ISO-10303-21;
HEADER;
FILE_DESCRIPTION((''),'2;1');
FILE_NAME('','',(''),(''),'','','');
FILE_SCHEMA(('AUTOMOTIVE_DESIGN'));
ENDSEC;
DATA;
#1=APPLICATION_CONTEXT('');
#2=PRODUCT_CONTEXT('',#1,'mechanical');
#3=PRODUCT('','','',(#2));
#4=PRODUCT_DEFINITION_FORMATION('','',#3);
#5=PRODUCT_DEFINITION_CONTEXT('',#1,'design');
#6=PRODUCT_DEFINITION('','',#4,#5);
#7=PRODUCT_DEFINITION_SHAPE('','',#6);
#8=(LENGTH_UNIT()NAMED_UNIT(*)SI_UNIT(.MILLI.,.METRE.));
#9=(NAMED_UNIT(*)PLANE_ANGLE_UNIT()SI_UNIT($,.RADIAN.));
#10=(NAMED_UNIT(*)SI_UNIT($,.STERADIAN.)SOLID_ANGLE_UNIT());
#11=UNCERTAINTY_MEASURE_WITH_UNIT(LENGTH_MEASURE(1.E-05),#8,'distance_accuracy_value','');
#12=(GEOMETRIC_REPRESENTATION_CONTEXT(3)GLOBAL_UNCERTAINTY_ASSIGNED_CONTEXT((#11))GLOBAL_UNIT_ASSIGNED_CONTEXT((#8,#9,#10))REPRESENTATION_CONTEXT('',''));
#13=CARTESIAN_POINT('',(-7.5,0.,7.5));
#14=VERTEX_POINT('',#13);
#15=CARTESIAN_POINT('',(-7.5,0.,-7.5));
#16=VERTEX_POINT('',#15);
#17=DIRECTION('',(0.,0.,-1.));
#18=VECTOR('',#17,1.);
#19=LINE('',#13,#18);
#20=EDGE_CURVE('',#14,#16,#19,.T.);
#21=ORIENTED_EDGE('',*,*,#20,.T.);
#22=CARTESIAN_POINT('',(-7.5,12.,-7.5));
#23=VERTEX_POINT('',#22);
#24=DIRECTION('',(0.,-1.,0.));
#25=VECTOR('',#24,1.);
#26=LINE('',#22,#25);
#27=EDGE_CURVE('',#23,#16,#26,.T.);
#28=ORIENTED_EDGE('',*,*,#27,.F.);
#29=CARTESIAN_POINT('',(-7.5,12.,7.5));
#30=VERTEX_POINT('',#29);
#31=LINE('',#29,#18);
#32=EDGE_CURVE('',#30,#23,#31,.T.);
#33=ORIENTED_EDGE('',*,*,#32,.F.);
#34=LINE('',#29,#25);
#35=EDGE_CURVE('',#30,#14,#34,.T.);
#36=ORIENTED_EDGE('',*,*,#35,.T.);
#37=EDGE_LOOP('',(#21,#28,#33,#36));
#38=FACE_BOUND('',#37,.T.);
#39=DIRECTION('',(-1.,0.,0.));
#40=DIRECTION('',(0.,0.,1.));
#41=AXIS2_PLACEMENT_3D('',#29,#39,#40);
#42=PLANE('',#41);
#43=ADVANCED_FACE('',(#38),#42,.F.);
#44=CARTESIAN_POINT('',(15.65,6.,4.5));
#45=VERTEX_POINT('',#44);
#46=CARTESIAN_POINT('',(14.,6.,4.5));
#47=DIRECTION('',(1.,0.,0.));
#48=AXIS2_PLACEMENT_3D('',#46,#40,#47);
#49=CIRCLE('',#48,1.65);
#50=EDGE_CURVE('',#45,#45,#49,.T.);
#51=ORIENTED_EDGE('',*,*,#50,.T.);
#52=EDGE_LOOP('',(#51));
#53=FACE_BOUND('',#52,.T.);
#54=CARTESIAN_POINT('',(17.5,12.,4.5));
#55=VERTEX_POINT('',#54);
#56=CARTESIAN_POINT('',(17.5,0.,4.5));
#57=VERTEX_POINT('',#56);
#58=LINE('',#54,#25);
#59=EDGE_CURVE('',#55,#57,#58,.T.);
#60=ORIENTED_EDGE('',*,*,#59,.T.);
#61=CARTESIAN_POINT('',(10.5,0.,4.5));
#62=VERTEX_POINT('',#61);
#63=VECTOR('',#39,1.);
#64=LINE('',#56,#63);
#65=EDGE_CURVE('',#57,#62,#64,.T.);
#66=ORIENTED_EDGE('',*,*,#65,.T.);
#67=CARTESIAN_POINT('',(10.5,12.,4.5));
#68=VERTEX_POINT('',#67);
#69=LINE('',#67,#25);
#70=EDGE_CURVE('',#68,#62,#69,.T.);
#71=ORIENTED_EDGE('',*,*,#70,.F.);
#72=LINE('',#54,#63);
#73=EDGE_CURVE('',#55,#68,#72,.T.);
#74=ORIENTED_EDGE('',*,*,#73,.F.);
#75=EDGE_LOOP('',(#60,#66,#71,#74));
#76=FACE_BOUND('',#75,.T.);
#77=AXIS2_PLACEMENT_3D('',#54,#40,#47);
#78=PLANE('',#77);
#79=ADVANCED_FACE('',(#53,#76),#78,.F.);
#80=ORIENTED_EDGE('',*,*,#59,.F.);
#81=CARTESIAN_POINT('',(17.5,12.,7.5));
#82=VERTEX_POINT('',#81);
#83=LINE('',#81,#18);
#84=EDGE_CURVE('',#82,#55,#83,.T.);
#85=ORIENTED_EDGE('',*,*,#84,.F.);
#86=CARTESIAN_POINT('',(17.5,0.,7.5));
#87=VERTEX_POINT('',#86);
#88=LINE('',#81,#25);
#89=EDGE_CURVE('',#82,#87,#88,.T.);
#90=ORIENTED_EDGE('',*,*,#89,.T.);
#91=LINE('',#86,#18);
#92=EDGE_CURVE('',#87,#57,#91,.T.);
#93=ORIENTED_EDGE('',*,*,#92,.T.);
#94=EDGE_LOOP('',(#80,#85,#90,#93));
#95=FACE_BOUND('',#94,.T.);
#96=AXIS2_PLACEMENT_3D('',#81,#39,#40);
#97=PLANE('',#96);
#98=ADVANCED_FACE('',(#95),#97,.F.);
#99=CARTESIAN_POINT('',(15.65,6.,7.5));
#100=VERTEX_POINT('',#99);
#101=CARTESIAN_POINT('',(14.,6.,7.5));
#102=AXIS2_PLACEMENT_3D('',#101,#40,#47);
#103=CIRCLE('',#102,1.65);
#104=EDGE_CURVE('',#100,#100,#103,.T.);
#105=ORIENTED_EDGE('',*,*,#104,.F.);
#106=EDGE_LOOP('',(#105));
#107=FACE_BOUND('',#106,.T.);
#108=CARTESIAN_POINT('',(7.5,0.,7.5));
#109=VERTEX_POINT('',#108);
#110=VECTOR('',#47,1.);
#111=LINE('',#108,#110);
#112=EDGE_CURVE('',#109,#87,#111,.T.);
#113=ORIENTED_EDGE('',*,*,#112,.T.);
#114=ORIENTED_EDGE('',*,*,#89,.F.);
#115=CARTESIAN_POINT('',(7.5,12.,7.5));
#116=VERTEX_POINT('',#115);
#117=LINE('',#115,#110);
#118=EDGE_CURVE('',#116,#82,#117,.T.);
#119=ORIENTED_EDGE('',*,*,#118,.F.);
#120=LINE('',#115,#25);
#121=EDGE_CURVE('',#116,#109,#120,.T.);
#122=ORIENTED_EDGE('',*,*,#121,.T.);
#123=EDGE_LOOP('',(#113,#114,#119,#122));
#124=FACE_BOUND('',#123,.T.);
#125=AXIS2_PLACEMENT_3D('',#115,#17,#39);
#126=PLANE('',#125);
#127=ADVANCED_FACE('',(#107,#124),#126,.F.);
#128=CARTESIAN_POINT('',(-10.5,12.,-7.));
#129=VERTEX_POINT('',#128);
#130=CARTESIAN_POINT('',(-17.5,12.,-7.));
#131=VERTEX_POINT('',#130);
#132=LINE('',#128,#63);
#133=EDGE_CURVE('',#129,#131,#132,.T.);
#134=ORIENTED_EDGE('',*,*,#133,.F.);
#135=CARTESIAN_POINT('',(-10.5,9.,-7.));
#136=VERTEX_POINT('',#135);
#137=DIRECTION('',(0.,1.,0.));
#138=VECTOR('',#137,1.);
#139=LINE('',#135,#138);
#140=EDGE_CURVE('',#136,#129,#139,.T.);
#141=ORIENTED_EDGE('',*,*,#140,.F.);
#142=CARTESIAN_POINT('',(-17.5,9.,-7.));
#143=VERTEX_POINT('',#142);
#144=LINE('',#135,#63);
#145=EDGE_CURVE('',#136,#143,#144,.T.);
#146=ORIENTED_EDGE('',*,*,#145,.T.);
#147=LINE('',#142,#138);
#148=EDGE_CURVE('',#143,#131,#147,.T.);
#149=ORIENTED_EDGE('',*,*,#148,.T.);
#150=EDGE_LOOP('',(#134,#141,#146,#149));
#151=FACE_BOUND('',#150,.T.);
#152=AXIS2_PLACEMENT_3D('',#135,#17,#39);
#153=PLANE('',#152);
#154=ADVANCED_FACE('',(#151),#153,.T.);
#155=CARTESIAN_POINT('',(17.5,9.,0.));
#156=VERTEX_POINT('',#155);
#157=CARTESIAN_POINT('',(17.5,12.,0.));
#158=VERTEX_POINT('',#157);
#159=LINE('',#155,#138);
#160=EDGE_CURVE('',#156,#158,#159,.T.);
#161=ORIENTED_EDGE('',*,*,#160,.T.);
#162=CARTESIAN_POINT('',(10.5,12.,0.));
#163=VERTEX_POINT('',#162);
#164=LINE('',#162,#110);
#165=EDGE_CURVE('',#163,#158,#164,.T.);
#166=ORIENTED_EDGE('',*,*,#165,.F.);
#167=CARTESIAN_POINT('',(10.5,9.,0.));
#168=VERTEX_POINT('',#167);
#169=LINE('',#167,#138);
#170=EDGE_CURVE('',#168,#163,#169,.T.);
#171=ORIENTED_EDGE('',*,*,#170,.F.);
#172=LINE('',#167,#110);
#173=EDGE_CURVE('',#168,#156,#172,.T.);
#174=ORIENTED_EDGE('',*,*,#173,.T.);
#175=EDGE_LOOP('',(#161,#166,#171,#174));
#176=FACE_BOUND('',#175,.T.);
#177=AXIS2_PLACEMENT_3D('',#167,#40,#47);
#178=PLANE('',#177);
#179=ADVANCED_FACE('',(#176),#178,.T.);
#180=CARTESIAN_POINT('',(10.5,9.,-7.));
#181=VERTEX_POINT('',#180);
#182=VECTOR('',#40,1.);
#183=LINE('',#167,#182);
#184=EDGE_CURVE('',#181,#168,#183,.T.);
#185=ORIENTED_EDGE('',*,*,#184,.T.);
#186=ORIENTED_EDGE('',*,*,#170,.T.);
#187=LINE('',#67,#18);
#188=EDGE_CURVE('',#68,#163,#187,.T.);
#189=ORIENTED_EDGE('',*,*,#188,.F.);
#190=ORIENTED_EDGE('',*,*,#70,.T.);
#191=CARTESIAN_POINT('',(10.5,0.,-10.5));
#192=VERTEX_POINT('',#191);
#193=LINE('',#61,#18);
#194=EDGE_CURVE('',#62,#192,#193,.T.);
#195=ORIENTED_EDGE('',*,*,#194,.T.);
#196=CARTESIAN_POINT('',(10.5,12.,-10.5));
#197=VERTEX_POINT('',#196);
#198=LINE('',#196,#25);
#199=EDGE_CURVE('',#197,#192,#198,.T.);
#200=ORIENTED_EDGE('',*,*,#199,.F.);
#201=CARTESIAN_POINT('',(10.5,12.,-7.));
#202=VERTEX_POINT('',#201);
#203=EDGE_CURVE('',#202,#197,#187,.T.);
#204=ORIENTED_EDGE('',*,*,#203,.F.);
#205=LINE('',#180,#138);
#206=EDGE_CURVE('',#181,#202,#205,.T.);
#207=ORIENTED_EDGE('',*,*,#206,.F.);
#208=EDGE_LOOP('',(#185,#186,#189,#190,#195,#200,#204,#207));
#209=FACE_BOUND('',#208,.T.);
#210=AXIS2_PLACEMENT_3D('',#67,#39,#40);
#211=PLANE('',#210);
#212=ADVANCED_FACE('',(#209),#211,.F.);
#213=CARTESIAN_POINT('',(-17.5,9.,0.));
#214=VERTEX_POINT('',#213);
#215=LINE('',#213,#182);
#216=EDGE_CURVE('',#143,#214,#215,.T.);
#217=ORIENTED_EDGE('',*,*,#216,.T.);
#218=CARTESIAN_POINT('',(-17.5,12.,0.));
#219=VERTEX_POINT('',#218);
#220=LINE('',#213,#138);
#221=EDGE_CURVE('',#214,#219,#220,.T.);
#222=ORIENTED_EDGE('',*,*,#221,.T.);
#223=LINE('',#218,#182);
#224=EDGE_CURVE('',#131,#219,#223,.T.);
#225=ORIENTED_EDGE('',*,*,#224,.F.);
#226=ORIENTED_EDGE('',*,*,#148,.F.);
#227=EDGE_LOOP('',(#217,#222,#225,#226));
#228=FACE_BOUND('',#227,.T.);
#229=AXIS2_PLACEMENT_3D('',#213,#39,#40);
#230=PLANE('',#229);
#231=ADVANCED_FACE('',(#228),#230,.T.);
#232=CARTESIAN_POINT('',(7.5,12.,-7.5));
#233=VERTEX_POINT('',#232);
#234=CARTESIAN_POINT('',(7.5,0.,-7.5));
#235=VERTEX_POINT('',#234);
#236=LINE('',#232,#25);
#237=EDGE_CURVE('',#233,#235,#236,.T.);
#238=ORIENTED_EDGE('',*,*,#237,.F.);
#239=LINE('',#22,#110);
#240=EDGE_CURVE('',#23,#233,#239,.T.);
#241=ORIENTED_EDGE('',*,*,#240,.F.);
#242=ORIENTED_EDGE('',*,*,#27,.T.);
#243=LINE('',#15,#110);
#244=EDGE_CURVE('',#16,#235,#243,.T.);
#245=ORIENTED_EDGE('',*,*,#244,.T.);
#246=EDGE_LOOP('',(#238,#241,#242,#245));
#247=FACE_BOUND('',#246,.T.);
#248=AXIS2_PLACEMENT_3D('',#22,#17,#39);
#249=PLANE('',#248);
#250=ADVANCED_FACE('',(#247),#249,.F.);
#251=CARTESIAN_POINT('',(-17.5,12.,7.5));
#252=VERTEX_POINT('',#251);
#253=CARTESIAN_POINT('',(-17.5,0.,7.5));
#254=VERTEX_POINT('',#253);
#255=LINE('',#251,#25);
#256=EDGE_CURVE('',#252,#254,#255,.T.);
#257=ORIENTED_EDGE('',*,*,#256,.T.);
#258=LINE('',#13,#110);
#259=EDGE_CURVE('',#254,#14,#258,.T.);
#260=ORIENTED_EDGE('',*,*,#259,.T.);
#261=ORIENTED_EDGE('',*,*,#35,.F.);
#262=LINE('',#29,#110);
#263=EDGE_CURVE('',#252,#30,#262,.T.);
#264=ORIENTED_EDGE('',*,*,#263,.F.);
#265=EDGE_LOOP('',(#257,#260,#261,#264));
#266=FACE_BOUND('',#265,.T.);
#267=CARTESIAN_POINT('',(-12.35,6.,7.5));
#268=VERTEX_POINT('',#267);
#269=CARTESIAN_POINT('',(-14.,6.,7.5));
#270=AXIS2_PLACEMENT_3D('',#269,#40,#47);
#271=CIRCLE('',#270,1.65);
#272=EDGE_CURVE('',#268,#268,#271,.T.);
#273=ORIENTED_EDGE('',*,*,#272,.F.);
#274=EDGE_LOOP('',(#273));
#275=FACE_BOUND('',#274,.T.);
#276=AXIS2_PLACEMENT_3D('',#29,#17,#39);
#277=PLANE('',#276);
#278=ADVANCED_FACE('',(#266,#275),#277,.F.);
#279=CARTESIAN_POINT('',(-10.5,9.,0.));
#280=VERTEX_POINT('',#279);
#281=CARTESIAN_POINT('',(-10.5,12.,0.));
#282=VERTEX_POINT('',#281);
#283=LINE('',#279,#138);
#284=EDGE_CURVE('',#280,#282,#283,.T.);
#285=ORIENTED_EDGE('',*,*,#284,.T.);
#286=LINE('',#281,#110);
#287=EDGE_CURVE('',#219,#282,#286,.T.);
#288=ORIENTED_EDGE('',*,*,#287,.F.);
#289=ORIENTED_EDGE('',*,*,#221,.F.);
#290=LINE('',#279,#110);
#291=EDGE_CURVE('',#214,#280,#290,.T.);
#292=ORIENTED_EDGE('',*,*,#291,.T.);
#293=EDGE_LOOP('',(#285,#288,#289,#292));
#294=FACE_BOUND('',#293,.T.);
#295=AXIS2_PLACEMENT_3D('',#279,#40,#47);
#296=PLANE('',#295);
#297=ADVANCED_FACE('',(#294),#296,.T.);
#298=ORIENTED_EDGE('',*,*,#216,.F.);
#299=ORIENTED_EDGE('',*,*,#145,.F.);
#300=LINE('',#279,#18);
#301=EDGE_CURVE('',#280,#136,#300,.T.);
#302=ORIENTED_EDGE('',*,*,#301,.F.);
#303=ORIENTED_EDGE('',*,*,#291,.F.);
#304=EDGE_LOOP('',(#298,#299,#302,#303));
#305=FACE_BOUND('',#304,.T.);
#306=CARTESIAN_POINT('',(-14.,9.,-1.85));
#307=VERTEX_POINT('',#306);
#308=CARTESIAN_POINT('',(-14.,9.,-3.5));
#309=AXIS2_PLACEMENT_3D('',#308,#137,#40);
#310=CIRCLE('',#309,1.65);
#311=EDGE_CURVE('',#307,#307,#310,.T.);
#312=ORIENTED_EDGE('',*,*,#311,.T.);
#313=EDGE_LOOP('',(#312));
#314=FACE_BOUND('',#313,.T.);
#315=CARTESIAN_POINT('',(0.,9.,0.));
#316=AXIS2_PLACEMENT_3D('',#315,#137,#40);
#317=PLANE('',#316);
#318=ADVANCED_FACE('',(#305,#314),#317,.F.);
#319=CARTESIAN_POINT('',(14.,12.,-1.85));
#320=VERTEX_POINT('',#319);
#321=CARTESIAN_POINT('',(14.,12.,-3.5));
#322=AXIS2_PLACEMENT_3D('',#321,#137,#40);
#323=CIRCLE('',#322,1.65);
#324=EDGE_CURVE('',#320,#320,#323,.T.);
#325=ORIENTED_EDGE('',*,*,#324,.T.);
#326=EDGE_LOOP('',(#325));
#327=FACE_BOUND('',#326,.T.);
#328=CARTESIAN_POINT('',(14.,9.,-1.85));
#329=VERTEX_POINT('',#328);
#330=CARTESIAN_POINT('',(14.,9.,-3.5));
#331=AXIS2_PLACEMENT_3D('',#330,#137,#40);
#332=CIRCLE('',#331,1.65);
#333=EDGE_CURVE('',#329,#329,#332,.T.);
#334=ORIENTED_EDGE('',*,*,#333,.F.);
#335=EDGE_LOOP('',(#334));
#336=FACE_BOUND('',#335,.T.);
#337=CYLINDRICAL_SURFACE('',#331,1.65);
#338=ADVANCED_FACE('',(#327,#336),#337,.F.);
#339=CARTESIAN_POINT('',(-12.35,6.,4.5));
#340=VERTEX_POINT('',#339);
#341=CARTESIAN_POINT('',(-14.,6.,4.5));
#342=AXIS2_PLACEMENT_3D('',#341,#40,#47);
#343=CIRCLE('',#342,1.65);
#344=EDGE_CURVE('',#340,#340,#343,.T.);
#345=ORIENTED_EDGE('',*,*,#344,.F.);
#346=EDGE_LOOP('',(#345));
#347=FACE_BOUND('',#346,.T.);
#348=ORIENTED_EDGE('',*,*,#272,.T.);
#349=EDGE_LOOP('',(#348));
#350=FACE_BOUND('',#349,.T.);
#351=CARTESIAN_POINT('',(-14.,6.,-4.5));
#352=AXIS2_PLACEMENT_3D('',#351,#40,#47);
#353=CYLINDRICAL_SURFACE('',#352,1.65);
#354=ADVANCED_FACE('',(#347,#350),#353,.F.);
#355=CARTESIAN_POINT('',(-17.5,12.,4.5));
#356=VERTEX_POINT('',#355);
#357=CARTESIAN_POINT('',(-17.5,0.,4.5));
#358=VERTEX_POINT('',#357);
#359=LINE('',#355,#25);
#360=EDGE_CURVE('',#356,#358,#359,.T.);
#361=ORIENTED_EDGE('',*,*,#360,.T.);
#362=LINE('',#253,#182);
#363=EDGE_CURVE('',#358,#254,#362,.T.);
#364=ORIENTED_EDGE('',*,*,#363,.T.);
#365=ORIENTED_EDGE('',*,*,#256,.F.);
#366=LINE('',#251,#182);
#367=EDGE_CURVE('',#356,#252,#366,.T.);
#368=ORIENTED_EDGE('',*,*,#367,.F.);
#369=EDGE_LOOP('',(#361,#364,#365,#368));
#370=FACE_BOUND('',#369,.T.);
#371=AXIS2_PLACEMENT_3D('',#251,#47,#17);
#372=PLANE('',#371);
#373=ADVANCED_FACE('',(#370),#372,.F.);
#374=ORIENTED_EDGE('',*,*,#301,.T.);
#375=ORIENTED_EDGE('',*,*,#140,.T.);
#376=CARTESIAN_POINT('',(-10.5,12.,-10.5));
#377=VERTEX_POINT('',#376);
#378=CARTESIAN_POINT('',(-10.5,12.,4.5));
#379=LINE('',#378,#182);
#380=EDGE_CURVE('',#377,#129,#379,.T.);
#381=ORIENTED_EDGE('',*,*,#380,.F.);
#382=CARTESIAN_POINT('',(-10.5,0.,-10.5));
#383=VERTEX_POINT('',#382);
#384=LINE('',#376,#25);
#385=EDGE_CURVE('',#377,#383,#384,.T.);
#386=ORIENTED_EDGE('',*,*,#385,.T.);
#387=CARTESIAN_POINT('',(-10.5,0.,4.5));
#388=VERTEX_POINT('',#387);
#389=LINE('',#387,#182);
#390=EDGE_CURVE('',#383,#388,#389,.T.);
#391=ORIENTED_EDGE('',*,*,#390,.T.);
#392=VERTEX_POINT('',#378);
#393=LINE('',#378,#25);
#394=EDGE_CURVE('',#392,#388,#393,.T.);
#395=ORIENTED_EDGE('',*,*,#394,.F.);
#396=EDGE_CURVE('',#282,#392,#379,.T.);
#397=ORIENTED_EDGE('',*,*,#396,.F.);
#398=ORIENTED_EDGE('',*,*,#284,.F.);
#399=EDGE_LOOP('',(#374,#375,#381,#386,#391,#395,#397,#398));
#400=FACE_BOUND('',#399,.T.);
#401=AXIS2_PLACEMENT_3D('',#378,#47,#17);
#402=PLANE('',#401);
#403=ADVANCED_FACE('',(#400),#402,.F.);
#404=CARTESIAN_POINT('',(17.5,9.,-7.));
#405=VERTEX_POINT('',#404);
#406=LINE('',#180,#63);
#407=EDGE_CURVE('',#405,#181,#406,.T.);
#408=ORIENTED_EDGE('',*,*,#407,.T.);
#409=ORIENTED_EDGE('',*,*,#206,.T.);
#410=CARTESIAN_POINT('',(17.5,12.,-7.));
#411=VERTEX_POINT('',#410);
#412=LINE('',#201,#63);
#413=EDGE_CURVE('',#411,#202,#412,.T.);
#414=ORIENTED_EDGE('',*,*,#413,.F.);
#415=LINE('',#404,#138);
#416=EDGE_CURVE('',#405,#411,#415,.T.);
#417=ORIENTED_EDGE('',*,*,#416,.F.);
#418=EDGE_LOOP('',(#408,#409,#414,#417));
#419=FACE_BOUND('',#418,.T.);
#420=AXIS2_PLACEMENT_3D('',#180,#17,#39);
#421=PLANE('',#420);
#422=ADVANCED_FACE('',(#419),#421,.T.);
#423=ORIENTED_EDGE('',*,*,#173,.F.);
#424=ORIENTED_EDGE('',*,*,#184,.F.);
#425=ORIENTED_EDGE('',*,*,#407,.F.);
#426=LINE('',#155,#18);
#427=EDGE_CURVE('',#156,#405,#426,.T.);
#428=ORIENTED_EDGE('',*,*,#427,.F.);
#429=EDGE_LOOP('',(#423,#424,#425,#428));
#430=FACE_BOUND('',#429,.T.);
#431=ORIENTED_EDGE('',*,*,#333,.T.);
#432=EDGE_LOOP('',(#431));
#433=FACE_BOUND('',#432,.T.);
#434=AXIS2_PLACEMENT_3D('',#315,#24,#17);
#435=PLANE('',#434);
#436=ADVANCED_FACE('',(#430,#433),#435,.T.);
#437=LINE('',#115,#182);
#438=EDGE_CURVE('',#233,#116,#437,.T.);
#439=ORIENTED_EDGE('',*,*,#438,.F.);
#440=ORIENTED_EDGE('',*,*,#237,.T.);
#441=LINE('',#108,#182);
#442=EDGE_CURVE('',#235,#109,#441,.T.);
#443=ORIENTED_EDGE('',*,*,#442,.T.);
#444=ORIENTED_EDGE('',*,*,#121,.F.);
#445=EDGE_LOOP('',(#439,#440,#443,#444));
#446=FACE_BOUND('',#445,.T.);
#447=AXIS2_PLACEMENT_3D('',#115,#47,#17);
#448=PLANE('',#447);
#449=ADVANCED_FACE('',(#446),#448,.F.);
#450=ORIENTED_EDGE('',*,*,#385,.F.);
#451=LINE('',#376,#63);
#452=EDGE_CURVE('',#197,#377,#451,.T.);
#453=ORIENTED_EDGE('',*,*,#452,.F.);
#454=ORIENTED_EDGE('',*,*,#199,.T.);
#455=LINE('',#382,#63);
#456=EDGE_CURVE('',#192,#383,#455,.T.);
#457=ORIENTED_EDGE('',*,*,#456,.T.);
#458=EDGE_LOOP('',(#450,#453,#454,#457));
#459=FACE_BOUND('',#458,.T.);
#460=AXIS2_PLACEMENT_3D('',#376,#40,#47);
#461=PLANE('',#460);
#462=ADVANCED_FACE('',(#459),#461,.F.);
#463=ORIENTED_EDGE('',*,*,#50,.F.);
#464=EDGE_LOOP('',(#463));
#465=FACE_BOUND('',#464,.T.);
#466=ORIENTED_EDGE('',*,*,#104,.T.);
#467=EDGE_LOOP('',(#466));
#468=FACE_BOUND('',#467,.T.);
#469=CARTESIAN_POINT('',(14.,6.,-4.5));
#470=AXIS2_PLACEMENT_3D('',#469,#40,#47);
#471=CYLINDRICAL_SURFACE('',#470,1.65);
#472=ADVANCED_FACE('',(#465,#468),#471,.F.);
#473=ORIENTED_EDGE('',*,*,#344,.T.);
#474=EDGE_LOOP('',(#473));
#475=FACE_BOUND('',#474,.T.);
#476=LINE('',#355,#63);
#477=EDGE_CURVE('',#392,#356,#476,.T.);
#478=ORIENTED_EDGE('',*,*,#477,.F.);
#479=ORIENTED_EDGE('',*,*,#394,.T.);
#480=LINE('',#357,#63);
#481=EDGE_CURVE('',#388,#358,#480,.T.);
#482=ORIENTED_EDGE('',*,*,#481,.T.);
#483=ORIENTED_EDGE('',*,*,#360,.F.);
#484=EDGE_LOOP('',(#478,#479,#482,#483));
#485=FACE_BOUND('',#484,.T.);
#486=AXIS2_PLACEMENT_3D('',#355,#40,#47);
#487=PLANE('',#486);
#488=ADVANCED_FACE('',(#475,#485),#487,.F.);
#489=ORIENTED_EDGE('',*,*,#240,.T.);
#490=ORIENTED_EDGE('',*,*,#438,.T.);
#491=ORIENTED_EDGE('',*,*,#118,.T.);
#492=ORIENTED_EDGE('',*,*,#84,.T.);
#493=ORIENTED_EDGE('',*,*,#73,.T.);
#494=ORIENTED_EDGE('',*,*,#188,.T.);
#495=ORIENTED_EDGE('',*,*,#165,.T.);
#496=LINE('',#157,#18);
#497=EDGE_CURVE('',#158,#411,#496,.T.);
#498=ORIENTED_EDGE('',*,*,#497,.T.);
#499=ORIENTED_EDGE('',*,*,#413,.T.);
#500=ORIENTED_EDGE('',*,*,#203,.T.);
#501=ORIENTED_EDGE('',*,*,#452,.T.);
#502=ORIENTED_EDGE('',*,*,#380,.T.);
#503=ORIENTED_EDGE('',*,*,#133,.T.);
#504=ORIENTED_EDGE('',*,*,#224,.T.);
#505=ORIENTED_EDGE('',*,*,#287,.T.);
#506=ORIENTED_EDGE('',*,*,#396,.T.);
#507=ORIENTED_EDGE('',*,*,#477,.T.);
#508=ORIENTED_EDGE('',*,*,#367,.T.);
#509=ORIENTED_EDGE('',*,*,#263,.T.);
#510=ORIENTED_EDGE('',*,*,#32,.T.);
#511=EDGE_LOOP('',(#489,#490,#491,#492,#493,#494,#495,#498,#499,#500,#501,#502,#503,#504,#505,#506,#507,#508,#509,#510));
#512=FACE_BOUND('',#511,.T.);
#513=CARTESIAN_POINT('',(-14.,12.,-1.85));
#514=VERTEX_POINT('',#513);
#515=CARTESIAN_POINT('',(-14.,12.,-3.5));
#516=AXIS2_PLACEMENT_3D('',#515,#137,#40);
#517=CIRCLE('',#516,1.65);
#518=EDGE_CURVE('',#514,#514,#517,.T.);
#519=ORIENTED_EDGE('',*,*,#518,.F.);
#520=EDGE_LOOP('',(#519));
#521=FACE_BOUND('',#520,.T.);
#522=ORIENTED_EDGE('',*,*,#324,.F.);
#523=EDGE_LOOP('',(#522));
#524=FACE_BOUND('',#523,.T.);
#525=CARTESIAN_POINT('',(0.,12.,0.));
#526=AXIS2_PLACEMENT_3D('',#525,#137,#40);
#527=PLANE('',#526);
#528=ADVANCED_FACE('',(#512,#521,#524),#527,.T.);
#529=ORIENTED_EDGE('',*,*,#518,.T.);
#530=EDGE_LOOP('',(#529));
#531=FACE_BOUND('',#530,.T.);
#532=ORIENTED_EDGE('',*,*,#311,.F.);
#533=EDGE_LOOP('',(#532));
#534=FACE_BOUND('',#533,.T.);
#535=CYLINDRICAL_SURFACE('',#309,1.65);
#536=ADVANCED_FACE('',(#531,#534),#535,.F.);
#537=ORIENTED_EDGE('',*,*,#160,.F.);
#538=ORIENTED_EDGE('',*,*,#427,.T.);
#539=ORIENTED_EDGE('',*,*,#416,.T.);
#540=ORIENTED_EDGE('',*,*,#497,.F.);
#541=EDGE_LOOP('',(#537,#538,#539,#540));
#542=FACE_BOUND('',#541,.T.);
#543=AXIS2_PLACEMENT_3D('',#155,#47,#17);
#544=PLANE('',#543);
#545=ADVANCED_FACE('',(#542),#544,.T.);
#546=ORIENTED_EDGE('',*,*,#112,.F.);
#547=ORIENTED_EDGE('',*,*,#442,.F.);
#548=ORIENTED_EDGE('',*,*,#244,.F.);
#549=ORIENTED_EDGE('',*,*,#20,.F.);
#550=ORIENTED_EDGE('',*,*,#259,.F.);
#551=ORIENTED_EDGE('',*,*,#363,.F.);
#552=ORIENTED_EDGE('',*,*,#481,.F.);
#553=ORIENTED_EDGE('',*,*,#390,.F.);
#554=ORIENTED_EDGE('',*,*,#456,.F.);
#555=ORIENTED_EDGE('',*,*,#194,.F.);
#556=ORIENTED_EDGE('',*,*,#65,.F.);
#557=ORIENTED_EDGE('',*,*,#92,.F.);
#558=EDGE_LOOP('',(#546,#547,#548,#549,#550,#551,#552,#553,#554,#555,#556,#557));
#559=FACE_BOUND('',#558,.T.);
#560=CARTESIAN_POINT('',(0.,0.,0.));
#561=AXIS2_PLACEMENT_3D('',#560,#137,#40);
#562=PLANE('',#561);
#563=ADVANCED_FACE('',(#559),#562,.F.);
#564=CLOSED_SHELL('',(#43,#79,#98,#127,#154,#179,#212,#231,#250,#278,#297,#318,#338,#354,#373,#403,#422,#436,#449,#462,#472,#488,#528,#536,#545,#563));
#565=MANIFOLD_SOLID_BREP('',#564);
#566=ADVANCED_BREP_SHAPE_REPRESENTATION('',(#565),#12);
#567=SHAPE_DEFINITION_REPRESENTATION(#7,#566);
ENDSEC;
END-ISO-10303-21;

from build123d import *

# Parameters (mm, degrees)
BOSS_EXTRUDE1_DEPTH = 12
SKETCH2_R           = 1.65
CUT_EXTRUDE1_DEPTH  = 12
SKETCH3_W           = 7
SKETCH3_H           = 7
SKETCH3_R           = 1.65
BOSS_EXTRUDE2_DEPTH = 3


with BuildPart() as part:
    # Sketch1 → Boss-Extrude1 (new body)
    with BuildSketch(Plane(origin=(0, 0, 0), x_dir=(1, 0, 0), z_dir=(0, 1, 0))):
        Polygon((7.5, -7.5), (7.5, 7.5), (-7.5, 7.5), (-7.5, -7.5), (-17.5, -7.5), (-17.5, -4.5), (-10.5, -4.5), (-10.5, 10.5), (10.5, 10.5), (10.5, -4.5), (17.5, -4.5), (17.5, -7.5), align=None)
    extrude(amount=BOSS_EXTRUDE1_DEPTH)

    # Sketch2 → Cut-Extrude1 (cut)
    with BuildSketch(Plane.XY.offset(7.5)):
        with Locations((-14, 6)):
            Circle(SKETCH2_R)
        with Locations((14, 6)):
            Circle(SKETCH2_R)
    extrude(amount=-CUT_EXTRUDE1_DEPTH, mode=Mode.SUBTRACT)

    # Sketch3 → Boss-Extrude2 (add)
    with BuildSketch(Plane(origin=(0, 12, 0), x_dir=(1, 0, 0), z_dir=(0, 1, 0))):
        with Locations((-14, 3.5)):
            Rectangle(SKETCH3_W, SKETCH3_H)
        with Locations((-14, 3.5)):
            Circle(SKETCH3_R, mode=Mode.SUBTRACT)
        with Locations((14, 3.5)):
            Rectangle(SKETCH3_W, SKETCH3_H)
        with Locations((14, 3.5)):
            Circle(SKETCH3_R, mode=Mode.SUBTRACT)
    extrude(amount=-BOSS_EXTRUDE2_DEPTH)


solid = part.part
